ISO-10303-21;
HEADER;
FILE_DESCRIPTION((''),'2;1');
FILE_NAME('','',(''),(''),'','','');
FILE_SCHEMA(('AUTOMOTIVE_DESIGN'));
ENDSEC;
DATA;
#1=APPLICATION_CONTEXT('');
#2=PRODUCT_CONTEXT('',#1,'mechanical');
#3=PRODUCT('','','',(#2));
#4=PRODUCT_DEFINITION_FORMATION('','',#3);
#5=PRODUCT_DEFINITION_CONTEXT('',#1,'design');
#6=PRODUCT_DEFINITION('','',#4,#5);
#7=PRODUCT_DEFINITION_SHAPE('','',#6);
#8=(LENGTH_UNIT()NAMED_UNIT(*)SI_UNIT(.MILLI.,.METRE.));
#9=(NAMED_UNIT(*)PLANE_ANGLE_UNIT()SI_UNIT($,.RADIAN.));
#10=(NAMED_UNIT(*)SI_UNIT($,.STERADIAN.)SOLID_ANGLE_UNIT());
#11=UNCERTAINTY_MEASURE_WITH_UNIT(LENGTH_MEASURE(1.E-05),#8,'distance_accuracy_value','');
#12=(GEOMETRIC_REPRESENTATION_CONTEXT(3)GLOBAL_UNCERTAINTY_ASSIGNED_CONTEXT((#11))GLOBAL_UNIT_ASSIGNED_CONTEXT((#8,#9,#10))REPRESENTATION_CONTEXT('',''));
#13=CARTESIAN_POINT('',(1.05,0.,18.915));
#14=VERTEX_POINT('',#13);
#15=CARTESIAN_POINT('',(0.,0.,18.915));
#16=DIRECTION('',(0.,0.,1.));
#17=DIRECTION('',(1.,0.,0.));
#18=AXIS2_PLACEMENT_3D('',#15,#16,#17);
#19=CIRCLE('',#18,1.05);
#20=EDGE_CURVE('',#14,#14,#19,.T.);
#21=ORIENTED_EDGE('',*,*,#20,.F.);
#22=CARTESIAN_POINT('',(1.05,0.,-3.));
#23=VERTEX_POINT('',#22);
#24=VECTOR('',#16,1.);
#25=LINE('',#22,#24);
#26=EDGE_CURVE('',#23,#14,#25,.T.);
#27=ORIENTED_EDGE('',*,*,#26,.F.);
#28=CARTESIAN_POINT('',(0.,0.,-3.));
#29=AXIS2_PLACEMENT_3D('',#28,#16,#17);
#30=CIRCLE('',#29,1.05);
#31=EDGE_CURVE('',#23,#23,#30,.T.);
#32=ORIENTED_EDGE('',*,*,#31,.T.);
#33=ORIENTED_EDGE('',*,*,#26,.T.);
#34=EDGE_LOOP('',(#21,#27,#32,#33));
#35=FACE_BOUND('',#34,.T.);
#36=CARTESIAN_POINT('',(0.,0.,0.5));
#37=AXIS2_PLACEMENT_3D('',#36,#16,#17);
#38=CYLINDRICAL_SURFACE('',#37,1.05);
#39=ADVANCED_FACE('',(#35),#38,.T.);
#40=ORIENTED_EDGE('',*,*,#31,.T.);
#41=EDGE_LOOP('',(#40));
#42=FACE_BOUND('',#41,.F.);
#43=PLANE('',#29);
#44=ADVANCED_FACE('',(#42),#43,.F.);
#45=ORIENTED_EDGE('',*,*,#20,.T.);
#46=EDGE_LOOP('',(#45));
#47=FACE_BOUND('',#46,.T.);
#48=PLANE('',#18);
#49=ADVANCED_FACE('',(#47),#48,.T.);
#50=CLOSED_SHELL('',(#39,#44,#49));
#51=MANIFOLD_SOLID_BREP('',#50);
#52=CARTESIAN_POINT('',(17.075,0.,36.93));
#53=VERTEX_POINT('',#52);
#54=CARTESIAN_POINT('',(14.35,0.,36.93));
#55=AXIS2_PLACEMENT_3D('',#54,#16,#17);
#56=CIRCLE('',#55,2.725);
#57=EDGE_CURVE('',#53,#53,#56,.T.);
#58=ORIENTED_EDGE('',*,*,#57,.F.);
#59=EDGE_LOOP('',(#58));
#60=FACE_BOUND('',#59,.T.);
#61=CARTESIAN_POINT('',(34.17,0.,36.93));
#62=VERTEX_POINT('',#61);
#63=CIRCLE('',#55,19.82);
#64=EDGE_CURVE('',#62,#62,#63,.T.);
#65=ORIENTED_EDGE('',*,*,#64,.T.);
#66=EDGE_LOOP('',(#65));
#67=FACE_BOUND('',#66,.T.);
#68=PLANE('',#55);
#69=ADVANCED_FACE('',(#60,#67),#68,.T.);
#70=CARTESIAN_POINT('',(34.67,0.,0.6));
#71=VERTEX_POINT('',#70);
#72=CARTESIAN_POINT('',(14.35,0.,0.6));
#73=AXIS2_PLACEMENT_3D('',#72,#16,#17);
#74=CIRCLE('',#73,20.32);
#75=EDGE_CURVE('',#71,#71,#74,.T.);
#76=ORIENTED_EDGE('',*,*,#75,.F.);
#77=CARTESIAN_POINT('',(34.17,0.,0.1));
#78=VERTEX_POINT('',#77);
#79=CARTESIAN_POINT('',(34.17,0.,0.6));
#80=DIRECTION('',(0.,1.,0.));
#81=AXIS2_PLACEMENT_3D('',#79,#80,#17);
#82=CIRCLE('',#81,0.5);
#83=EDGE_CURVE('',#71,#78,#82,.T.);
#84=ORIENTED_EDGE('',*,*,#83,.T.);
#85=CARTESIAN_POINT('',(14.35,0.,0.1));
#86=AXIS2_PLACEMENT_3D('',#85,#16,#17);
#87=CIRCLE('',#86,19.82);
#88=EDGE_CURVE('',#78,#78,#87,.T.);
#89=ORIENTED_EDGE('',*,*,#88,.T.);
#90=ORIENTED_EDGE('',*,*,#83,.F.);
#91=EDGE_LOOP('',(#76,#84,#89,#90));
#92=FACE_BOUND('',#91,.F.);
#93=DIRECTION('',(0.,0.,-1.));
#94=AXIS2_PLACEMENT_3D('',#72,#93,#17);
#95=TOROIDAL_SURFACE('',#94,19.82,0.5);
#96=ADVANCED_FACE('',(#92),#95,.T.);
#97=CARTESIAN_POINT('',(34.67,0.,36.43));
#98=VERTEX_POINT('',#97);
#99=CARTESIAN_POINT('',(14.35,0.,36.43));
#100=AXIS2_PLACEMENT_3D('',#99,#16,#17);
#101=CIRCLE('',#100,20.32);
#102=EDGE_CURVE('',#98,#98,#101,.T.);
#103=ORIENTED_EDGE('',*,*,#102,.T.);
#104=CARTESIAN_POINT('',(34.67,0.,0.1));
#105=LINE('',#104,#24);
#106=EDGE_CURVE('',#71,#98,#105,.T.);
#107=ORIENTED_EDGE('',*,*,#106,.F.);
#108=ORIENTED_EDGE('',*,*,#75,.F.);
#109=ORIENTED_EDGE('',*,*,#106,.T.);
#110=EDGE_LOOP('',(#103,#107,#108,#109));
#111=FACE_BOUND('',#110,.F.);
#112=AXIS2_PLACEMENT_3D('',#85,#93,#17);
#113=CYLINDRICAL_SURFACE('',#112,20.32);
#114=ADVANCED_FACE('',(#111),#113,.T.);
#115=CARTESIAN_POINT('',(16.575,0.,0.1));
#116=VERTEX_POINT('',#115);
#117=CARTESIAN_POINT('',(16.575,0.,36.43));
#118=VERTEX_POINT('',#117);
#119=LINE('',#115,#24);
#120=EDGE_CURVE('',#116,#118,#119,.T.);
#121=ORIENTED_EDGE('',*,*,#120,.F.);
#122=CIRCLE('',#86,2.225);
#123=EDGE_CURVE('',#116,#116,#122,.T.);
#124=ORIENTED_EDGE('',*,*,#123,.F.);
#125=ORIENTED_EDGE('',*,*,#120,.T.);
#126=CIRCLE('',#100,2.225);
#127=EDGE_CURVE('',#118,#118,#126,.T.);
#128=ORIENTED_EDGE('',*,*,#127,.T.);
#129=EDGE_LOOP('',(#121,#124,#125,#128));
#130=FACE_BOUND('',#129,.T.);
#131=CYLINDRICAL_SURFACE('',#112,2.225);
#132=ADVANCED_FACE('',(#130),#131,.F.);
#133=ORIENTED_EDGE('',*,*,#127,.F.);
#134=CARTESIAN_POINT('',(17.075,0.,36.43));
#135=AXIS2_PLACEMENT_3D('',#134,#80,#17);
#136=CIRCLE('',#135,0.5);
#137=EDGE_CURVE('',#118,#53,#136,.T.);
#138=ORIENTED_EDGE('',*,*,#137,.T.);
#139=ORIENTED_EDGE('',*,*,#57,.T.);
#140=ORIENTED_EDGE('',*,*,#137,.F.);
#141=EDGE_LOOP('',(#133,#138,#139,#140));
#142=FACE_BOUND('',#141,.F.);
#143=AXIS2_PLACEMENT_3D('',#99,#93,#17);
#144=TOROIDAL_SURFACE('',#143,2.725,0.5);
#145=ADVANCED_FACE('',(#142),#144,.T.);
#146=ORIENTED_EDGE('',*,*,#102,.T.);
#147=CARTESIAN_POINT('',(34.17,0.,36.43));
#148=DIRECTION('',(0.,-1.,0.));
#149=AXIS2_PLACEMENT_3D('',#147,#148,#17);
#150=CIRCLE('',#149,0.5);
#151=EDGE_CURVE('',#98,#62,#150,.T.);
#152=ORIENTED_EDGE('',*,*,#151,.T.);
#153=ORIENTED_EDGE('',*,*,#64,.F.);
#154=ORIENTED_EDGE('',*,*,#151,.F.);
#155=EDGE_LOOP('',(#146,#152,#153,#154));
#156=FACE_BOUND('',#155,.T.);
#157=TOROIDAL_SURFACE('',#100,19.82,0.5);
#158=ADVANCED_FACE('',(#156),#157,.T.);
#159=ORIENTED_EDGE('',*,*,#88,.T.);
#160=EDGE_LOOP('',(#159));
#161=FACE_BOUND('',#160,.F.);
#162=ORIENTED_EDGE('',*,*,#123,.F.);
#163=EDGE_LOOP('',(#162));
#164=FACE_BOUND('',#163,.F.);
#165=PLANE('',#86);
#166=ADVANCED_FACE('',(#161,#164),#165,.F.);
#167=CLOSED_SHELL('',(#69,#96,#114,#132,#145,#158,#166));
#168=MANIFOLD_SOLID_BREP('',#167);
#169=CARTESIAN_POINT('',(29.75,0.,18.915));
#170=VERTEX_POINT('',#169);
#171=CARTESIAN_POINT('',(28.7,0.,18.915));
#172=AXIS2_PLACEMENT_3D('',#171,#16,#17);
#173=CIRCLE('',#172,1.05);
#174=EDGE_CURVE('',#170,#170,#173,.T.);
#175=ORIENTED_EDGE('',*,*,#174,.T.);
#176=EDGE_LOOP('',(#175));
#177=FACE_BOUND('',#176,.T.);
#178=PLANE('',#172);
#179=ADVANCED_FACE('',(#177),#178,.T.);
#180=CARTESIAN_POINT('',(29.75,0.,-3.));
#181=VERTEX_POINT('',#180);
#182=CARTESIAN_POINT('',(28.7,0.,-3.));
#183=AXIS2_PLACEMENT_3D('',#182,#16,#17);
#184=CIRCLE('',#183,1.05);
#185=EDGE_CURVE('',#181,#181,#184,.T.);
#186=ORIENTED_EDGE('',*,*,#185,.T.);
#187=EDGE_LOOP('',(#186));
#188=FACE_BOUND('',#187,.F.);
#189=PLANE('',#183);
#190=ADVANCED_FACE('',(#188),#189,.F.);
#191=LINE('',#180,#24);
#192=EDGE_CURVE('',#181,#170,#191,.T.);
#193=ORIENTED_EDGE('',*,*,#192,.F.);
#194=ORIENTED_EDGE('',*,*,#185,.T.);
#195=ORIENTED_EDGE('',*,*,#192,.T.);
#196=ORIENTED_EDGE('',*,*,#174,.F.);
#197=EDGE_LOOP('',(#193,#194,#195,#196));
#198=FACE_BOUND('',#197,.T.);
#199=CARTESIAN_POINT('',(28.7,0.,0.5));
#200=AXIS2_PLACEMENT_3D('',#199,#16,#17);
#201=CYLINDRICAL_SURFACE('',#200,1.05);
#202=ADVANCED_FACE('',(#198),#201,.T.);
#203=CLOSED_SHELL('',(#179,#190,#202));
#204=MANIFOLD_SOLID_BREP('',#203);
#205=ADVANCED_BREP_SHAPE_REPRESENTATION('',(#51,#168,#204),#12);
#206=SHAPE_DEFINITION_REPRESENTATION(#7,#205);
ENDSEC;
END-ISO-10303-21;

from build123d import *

# Parameters (mm, degrees)
SKETCH001_R       = 1.05
PAD001_DEPTH      = 18.415
PAD001_DEPTH_BACK = 3.5
SKETCH_R          = 20.32
SKETCH_R_2        = 2.225
PAD_DEPTH         = 36.83
FILLET_R          = 0.5


with BuildPart() as pad001:
    # Sketch001 → Pad001 (new body, two sides)
    with BuildSketch(Plane.XY.offset(0.5)) as pad001_sk:
        Circle(SKETCH001_R)
        with Locations((28.7, 0)):
            Circle(SKETCH001_R)
    extrude(amount=PAD001_DEPTH)
    extrude(pad001_sk.sketch, amount=-PAD001_DEPTH_BACK)


with BuildPart() as fillet_body:
    # Sketch → Pad (new body)
    with BuildSketch(Plane.XY.offset(0.1)):
        with Locations((14.35, 0)):
            Circle(SKETCH_R)
        with Locations((14.35, 0)):
            Circle(SKETCH_R_2, mode=Mode.SUBTRACT)
    extrude(amount=PAD_DEPTH)

    # Fillet
    fillet_edges = [fillet_body.edges().sort_by_distance(p)[0] for p in [
        (12.125, 0, 36.93),
        (-5.97, 0, 36.93),
        (-5.97, 0, 0.1),
    ]]
    fillet(fillet_edges, radius=FILLET_R)


solid = Compound([pad001.part, fillet_body.part])
